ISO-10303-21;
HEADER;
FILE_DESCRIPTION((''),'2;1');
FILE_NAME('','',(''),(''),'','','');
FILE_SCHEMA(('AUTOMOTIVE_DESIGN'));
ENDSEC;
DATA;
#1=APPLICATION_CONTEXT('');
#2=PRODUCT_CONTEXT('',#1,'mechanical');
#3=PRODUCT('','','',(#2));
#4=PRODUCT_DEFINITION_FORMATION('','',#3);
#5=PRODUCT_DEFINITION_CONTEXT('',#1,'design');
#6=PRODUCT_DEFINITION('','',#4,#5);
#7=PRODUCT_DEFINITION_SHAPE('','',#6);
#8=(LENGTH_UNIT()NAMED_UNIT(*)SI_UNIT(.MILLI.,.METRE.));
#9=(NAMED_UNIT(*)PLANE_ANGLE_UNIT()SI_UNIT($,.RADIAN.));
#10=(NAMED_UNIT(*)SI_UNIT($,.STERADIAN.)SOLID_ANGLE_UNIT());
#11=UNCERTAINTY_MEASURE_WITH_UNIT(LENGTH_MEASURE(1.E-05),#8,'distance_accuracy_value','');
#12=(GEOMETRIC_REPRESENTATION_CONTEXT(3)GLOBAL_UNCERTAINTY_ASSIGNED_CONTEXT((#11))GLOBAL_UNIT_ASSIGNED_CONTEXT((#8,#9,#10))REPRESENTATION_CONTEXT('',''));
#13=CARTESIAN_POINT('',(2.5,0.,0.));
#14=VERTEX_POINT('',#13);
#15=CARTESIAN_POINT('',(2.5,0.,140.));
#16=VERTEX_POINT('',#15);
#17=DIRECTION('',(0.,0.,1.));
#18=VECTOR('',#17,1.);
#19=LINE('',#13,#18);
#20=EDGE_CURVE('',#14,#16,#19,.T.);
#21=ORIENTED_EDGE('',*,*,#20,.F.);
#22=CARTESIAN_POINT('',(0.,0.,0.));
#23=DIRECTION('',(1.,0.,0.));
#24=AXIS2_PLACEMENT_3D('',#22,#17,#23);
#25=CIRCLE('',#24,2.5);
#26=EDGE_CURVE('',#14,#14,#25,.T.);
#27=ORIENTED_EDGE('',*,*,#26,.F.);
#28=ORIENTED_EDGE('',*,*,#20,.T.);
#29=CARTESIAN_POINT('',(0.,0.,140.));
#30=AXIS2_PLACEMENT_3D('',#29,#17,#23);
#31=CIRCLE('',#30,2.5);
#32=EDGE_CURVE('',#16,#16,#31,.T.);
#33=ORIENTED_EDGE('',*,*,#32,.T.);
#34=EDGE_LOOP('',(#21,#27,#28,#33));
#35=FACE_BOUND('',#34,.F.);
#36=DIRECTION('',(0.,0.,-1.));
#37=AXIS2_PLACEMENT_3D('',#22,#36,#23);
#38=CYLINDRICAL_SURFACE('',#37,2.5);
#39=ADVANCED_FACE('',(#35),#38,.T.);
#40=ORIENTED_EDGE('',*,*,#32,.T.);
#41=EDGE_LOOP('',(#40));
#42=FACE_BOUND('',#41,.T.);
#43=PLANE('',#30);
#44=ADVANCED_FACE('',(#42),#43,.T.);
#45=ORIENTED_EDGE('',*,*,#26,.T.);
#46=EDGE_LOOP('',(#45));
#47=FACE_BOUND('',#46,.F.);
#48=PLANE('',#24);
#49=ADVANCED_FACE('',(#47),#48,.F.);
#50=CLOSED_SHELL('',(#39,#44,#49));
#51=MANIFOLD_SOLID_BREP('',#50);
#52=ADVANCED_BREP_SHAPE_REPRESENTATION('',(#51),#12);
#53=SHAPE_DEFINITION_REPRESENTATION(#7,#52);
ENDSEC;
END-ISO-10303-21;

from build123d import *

# Parameters (mm, degrees)
SKETCH_R  = 2.5
PAD_DEPTH = 140


with BuildPart() as part:
    # Sketch → Pad (new body)
    with BuildSketch(Plane.XY):
        Circle(SKETCH_R)
    extrude(amount=PAD_DEPTH)


solid = part.part
